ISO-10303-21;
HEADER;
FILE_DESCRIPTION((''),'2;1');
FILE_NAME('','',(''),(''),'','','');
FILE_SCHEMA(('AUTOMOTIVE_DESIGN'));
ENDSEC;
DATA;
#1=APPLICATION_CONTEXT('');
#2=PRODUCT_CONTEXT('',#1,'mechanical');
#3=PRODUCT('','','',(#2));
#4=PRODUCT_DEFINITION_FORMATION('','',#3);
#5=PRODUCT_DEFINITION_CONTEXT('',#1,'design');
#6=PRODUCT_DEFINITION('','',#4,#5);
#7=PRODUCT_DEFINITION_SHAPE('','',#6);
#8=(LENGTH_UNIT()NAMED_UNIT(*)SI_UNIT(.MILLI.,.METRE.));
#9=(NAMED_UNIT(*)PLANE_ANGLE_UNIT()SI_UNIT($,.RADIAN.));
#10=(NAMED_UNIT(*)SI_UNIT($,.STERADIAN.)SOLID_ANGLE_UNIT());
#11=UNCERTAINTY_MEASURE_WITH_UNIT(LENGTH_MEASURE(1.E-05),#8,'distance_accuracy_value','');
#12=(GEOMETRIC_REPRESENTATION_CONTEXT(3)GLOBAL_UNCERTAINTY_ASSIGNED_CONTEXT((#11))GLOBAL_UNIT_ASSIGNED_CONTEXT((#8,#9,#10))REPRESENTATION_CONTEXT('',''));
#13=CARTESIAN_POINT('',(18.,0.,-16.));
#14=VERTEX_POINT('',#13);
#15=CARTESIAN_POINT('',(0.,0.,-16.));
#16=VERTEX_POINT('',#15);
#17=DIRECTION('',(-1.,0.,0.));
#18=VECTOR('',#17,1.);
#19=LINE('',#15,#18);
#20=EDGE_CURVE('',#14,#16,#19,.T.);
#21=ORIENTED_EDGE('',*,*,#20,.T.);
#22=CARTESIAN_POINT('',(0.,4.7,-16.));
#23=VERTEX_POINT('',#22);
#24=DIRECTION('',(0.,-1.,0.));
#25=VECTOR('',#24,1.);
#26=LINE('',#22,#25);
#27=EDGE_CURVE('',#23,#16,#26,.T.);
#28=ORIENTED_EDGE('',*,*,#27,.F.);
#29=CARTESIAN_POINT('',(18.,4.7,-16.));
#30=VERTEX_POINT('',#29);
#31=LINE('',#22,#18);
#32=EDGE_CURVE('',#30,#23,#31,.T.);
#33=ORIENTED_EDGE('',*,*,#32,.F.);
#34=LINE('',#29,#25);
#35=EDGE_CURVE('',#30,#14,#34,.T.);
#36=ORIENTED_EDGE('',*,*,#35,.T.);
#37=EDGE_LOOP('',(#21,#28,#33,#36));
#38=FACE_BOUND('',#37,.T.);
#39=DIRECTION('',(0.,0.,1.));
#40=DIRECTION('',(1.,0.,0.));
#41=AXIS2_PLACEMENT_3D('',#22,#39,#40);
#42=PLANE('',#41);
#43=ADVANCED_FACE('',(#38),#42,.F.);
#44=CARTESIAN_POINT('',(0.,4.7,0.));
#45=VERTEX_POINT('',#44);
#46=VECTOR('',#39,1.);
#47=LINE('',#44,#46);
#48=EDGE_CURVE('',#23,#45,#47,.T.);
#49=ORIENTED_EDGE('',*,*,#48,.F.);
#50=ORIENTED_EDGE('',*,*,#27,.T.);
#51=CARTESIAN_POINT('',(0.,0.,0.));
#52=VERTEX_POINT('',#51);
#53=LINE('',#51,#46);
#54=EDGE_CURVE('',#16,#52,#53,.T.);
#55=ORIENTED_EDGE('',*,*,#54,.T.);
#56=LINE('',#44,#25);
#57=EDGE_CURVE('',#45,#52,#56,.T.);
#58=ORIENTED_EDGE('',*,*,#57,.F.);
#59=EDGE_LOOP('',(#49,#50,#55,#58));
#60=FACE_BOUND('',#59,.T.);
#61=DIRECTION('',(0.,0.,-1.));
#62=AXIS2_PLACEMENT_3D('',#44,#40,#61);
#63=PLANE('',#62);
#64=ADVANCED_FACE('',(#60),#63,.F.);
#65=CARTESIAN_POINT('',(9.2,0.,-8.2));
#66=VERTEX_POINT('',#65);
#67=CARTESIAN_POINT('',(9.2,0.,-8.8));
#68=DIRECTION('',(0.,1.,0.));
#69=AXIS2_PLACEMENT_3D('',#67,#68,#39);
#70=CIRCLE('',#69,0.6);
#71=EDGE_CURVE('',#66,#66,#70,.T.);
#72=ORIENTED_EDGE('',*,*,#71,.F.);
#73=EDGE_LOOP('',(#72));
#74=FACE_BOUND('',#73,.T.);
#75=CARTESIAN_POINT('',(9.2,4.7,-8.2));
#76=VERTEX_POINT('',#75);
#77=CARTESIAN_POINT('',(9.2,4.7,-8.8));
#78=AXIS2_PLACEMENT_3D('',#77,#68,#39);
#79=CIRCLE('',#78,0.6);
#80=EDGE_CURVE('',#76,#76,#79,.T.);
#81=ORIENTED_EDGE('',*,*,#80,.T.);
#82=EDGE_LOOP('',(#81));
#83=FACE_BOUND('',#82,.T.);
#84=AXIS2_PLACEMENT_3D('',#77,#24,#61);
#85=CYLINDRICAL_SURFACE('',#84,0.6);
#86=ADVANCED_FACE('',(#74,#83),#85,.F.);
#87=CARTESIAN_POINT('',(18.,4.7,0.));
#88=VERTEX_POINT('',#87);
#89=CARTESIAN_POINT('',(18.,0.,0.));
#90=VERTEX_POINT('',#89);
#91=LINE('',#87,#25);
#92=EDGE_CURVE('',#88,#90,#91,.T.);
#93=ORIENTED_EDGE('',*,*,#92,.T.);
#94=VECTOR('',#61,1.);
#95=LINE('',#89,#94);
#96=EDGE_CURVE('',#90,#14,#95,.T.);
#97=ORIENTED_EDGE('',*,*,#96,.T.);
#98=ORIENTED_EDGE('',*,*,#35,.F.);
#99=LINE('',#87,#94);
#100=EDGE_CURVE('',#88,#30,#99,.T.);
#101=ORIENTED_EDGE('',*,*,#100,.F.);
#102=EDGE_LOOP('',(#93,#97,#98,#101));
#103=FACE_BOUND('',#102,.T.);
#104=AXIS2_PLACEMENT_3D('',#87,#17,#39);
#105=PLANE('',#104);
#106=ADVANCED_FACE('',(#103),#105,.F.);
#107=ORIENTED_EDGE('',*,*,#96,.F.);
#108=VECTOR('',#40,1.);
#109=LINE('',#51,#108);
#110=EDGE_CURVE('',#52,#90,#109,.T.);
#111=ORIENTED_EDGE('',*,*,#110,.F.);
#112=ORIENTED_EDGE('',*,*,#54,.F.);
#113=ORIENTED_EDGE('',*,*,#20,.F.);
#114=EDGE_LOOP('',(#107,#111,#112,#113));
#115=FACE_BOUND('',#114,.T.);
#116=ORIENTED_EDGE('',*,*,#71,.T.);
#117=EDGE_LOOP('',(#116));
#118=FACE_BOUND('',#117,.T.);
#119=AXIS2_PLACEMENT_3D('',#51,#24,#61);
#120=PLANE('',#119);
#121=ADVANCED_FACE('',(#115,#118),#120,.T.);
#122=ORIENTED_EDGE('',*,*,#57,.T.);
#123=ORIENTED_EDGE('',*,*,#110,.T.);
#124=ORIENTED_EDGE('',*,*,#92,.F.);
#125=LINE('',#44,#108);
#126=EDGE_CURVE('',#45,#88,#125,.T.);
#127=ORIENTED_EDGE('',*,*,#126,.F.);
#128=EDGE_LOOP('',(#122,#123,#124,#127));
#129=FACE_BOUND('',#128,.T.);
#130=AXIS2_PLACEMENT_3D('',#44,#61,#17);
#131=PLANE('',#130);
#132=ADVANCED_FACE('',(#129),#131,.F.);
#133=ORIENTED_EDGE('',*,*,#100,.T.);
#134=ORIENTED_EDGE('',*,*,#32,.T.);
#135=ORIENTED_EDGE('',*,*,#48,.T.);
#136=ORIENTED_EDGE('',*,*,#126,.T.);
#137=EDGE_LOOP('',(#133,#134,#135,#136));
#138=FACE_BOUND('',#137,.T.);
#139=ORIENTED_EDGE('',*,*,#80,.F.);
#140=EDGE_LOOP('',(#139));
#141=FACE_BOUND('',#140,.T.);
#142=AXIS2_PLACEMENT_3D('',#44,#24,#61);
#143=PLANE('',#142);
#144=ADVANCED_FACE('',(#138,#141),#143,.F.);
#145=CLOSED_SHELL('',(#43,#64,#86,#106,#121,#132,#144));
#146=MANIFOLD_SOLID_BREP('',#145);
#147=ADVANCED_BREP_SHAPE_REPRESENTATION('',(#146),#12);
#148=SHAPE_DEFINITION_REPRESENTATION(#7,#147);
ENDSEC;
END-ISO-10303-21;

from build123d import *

# Parameters (mm, degrees)
SKETCH1_W           = 18
SKETCH1_H           = 16
SKETCH1_R           = 0.6
BOSS_EXTRUDE1_DEPTH = 4.7


with BuildPart() as part:
    # Sketch1 → Boss-Extrude1 (new body)
    with BuildSketch(Plane(origin=(0, 0, 0), x_dir=(1, 0, 0), z_dir=(0, 1, 0))):
        with Locations((9, 8)):
            Rectangle(SKETCH1_W, SKETCH1_H)
        with Locations(Location((9.2, 8.8, 0), (0, 0, 270))):
            Circle(SKETCH1_R, mode=Mode.SUBTRACT)
    extrude(amount=BOSS_EXTRUDE1_DEPTH)


solid = part.part
